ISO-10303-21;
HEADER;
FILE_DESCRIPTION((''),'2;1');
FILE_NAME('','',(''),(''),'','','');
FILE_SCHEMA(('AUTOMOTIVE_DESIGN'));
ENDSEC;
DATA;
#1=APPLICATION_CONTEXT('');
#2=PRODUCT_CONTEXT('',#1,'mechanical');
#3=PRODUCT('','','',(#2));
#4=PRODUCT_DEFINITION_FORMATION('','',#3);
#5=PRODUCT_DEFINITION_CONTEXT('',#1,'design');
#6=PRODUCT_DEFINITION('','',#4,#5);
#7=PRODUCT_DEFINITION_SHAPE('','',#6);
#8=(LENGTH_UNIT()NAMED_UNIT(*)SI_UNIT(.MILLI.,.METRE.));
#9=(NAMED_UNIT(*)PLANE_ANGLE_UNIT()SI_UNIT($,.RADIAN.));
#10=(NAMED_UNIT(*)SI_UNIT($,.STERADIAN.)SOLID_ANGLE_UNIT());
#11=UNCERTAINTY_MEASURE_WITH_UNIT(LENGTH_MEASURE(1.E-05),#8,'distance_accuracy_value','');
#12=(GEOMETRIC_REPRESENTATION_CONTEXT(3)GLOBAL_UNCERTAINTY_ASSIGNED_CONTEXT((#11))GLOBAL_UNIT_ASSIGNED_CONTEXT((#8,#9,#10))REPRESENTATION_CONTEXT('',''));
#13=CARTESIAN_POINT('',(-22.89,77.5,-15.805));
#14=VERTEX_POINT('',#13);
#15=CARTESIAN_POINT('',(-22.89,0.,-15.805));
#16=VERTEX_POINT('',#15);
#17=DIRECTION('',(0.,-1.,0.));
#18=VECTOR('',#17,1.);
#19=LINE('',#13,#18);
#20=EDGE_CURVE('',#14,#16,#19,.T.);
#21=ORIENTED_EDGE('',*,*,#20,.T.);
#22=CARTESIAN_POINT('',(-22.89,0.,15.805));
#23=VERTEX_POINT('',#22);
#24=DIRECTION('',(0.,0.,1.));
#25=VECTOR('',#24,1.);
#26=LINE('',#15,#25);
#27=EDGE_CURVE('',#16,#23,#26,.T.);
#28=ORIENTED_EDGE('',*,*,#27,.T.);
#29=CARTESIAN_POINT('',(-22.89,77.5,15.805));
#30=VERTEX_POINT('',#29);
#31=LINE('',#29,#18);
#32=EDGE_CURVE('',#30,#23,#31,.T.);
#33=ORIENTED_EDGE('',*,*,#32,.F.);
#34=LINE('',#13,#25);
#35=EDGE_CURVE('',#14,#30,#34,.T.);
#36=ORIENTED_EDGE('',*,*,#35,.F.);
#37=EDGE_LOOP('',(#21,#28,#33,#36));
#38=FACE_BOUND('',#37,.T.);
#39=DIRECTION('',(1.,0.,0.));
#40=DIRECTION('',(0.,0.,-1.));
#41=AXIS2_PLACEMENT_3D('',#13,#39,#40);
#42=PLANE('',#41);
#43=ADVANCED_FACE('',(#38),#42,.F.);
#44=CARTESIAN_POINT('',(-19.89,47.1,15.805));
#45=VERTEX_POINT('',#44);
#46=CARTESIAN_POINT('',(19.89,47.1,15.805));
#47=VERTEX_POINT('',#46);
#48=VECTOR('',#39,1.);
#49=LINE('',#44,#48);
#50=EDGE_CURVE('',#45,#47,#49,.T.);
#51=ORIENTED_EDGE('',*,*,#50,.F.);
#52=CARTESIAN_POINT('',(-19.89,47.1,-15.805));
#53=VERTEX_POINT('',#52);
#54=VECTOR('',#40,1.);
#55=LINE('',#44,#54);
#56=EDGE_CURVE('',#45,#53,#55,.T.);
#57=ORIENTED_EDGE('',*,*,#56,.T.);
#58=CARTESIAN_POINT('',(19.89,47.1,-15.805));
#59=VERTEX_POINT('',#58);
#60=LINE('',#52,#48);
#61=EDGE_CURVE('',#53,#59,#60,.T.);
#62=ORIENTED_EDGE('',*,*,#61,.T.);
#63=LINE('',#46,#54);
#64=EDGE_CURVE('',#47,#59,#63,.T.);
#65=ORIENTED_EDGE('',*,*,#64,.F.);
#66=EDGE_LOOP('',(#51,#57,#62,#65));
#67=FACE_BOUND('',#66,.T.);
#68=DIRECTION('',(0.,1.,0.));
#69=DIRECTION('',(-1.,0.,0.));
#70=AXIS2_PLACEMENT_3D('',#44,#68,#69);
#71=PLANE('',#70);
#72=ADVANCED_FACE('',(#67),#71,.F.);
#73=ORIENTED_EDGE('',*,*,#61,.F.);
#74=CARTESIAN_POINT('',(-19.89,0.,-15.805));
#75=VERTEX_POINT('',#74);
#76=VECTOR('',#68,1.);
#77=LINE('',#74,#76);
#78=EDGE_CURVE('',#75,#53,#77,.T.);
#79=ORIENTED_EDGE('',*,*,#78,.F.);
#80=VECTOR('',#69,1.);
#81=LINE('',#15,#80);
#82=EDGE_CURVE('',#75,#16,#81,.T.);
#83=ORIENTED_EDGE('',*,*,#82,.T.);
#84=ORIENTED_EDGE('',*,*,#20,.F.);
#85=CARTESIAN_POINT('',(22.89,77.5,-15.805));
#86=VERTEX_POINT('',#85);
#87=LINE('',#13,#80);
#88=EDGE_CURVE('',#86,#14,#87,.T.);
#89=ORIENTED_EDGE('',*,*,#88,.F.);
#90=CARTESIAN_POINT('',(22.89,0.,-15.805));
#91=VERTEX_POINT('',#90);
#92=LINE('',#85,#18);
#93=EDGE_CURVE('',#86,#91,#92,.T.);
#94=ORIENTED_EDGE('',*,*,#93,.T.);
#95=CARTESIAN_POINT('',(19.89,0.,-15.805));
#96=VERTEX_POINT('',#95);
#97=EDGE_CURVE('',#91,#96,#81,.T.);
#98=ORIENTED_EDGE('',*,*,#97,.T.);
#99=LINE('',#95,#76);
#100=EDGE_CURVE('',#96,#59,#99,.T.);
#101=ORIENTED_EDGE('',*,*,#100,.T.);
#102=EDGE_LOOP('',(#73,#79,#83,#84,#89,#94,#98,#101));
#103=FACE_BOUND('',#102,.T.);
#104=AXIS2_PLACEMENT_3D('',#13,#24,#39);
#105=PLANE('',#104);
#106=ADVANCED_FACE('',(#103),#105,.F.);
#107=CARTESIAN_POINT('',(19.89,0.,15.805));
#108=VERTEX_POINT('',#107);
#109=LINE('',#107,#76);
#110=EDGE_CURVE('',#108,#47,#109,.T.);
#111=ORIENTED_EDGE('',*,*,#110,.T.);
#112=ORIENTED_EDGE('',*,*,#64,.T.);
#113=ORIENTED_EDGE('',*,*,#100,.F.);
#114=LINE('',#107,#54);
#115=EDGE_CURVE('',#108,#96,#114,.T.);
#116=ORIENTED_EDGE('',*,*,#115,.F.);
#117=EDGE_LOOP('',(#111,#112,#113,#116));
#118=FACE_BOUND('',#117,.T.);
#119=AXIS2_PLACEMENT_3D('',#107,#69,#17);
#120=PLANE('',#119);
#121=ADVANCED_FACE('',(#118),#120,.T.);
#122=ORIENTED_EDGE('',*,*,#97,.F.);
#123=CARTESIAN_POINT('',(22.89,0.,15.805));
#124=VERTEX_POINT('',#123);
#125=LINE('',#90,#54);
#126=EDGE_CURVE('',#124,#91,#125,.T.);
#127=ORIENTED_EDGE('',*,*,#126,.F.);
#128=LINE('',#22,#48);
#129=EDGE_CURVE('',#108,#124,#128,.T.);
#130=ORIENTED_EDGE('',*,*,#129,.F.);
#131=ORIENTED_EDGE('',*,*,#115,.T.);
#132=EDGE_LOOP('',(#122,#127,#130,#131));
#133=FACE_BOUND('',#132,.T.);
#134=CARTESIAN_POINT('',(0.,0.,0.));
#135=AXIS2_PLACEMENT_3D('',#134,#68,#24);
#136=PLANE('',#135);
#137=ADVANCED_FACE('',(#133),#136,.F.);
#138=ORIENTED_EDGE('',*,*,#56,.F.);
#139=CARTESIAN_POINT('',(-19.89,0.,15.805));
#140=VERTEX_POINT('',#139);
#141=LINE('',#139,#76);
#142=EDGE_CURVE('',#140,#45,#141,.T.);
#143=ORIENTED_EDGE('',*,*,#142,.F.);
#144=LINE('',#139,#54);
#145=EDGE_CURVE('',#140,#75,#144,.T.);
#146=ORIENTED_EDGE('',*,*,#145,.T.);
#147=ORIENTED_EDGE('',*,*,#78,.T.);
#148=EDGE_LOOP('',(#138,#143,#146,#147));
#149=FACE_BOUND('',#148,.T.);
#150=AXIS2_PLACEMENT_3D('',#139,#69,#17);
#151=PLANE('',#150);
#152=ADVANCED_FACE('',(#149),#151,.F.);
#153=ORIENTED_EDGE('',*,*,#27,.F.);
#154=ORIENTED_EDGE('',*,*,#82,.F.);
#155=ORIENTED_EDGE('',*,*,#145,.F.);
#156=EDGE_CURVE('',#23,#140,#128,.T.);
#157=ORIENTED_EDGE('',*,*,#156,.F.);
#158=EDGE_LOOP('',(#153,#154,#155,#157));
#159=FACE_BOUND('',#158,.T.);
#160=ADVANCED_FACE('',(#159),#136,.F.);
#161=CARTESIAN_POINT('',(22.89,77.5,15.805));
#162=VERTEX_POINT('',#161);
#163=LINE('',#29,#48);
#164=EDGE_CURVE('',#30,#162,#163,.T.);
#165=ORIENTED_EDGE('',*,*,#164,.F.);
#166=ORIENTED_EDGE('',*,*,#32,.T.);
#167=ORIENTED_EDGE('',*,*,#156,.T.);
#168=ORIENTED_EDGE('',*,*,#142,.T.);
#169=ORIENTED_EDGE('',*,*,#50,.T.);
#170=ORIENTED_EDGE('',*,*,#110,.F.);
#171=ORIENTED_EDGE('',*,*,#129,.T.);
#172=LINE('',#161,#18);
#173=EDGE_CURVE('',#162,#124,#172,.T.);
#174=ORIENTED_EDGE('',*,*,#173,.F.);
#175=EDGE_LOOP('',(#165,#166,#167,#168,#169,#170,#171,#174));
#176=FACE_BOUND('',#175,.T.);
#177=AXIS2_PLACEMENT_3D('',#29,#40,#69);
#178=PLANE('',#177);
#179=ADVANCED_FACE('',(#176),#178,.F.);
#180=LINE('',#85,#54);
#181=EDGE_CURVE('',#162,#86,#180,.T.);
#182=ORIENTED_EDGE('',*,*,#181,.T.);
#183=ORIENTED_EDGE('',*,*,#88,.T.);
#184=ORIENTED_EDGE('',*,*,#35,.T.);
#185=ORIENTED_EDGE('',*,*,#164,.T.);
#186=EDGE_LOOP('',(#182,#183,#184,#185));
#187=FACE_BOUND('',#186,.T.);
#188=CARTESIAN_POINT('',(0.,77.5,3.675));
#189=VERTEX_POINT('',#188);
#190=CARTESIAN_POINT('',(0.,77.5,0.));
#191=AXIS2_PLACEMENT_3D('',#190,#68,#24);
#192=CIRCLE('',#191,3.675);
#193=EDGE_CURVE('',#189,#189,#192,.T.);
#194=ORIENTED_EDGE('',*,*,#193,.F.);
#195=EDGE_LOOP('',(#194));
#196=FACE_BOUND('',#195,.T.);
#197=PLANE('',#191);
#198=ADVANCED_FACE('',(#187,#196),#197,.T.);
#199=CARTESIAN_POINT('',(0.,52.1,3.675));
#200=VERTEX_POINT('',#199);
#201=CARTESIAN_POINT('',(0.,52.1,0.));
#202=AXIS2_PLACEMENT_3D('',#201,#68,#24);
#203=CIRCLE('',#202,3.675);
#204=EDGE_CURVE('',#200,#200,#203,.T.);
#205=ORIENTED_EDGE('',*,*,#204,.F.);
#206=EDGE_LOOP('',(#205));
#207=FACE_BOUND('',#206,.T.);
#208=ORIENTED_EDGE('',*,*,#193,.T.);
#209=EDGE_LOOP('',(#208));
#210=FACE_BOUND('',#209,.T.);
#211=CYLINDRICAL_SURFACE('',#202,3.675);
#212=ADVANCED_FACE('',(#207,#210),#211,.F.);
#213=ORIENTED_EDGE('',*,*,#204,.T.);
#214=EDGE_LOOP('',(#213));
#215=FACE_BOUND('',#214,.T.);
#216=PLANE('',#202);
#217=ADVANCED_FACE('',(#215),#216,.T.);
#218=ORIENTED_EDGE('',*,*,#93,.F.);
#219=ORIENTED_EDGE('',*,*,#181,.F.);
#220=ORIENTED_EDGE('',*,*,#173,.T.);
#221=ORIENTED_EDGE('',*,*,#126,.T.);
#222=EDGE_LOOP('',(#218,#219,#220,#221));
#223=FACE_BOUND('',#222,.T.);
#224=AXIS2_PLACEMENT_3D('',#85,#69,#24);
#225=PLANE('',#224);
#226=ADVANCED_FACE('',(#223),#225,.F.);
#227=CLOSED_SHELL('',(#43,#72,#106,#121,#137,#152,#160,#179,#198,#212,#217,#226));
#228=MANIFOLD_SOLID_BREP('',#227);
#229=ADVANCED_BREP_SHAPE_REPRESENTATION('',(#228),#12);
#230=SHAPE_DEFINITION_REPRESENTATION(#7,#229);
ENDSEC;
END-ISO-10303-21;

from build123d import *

# Parameters (mm, degrees)
SKETCH1_W           = 45.78
SKETCH1_H           = 31.61
BOSS_EXTRUDE2_DEPTH = 77.5
SKETCH2_R           = 3.675
CUT_EXTRUDE1_DEPTH  = 25.4
SKETCH3_W           = 39.78
SKETCH3_H           = 47.1
CUT_EXTRUDE3_DEPTH  = 87.772081916


with BuildPart() as part:
    # Sketch1 → Boss-Extrude2 (new body)
    with BuildSketch(Plane(origin=(0, 0, 0), x_dir=(1, 0, 0), z_dir=(0, 1, 0))):
        Rectangle(SKETCH1_W, SKETCH1_H)
    extrude(amount=BOSS_EXTRUDE2_DEPTH)

    # Sketch2 → Cut-Extrude1 (cut)
    with BuildSketch(Plane(origin=(0, 77.5, 0), x_dir=(1, 0, 0), z_dir=(0, 1, 0))):
        with Locations(Location((0, 0, 0), (0, 0, 270))):
            Circle(SKETCH2_R)
    extrude(amount=-CUT_EXTRUDE1_DEPTH, mode=Mode.SUBTRACT)

    # Sketch3 → Cut-Extrude3 (cut, through all)
    with BuildSketch(Plane(origin=(0, 0, -15.805), x_dir=(-1, 0, 0), z_dir=(0, 0, -1))):
        with Locations((0, 23.55)):
            Rectangle(SKETCH3_W, SKETCH3_H)
    extrude(amount=-CUT_EXTRUDE3_DEPTH, mode=Mode.SUBTRACT)


solid = part.part
